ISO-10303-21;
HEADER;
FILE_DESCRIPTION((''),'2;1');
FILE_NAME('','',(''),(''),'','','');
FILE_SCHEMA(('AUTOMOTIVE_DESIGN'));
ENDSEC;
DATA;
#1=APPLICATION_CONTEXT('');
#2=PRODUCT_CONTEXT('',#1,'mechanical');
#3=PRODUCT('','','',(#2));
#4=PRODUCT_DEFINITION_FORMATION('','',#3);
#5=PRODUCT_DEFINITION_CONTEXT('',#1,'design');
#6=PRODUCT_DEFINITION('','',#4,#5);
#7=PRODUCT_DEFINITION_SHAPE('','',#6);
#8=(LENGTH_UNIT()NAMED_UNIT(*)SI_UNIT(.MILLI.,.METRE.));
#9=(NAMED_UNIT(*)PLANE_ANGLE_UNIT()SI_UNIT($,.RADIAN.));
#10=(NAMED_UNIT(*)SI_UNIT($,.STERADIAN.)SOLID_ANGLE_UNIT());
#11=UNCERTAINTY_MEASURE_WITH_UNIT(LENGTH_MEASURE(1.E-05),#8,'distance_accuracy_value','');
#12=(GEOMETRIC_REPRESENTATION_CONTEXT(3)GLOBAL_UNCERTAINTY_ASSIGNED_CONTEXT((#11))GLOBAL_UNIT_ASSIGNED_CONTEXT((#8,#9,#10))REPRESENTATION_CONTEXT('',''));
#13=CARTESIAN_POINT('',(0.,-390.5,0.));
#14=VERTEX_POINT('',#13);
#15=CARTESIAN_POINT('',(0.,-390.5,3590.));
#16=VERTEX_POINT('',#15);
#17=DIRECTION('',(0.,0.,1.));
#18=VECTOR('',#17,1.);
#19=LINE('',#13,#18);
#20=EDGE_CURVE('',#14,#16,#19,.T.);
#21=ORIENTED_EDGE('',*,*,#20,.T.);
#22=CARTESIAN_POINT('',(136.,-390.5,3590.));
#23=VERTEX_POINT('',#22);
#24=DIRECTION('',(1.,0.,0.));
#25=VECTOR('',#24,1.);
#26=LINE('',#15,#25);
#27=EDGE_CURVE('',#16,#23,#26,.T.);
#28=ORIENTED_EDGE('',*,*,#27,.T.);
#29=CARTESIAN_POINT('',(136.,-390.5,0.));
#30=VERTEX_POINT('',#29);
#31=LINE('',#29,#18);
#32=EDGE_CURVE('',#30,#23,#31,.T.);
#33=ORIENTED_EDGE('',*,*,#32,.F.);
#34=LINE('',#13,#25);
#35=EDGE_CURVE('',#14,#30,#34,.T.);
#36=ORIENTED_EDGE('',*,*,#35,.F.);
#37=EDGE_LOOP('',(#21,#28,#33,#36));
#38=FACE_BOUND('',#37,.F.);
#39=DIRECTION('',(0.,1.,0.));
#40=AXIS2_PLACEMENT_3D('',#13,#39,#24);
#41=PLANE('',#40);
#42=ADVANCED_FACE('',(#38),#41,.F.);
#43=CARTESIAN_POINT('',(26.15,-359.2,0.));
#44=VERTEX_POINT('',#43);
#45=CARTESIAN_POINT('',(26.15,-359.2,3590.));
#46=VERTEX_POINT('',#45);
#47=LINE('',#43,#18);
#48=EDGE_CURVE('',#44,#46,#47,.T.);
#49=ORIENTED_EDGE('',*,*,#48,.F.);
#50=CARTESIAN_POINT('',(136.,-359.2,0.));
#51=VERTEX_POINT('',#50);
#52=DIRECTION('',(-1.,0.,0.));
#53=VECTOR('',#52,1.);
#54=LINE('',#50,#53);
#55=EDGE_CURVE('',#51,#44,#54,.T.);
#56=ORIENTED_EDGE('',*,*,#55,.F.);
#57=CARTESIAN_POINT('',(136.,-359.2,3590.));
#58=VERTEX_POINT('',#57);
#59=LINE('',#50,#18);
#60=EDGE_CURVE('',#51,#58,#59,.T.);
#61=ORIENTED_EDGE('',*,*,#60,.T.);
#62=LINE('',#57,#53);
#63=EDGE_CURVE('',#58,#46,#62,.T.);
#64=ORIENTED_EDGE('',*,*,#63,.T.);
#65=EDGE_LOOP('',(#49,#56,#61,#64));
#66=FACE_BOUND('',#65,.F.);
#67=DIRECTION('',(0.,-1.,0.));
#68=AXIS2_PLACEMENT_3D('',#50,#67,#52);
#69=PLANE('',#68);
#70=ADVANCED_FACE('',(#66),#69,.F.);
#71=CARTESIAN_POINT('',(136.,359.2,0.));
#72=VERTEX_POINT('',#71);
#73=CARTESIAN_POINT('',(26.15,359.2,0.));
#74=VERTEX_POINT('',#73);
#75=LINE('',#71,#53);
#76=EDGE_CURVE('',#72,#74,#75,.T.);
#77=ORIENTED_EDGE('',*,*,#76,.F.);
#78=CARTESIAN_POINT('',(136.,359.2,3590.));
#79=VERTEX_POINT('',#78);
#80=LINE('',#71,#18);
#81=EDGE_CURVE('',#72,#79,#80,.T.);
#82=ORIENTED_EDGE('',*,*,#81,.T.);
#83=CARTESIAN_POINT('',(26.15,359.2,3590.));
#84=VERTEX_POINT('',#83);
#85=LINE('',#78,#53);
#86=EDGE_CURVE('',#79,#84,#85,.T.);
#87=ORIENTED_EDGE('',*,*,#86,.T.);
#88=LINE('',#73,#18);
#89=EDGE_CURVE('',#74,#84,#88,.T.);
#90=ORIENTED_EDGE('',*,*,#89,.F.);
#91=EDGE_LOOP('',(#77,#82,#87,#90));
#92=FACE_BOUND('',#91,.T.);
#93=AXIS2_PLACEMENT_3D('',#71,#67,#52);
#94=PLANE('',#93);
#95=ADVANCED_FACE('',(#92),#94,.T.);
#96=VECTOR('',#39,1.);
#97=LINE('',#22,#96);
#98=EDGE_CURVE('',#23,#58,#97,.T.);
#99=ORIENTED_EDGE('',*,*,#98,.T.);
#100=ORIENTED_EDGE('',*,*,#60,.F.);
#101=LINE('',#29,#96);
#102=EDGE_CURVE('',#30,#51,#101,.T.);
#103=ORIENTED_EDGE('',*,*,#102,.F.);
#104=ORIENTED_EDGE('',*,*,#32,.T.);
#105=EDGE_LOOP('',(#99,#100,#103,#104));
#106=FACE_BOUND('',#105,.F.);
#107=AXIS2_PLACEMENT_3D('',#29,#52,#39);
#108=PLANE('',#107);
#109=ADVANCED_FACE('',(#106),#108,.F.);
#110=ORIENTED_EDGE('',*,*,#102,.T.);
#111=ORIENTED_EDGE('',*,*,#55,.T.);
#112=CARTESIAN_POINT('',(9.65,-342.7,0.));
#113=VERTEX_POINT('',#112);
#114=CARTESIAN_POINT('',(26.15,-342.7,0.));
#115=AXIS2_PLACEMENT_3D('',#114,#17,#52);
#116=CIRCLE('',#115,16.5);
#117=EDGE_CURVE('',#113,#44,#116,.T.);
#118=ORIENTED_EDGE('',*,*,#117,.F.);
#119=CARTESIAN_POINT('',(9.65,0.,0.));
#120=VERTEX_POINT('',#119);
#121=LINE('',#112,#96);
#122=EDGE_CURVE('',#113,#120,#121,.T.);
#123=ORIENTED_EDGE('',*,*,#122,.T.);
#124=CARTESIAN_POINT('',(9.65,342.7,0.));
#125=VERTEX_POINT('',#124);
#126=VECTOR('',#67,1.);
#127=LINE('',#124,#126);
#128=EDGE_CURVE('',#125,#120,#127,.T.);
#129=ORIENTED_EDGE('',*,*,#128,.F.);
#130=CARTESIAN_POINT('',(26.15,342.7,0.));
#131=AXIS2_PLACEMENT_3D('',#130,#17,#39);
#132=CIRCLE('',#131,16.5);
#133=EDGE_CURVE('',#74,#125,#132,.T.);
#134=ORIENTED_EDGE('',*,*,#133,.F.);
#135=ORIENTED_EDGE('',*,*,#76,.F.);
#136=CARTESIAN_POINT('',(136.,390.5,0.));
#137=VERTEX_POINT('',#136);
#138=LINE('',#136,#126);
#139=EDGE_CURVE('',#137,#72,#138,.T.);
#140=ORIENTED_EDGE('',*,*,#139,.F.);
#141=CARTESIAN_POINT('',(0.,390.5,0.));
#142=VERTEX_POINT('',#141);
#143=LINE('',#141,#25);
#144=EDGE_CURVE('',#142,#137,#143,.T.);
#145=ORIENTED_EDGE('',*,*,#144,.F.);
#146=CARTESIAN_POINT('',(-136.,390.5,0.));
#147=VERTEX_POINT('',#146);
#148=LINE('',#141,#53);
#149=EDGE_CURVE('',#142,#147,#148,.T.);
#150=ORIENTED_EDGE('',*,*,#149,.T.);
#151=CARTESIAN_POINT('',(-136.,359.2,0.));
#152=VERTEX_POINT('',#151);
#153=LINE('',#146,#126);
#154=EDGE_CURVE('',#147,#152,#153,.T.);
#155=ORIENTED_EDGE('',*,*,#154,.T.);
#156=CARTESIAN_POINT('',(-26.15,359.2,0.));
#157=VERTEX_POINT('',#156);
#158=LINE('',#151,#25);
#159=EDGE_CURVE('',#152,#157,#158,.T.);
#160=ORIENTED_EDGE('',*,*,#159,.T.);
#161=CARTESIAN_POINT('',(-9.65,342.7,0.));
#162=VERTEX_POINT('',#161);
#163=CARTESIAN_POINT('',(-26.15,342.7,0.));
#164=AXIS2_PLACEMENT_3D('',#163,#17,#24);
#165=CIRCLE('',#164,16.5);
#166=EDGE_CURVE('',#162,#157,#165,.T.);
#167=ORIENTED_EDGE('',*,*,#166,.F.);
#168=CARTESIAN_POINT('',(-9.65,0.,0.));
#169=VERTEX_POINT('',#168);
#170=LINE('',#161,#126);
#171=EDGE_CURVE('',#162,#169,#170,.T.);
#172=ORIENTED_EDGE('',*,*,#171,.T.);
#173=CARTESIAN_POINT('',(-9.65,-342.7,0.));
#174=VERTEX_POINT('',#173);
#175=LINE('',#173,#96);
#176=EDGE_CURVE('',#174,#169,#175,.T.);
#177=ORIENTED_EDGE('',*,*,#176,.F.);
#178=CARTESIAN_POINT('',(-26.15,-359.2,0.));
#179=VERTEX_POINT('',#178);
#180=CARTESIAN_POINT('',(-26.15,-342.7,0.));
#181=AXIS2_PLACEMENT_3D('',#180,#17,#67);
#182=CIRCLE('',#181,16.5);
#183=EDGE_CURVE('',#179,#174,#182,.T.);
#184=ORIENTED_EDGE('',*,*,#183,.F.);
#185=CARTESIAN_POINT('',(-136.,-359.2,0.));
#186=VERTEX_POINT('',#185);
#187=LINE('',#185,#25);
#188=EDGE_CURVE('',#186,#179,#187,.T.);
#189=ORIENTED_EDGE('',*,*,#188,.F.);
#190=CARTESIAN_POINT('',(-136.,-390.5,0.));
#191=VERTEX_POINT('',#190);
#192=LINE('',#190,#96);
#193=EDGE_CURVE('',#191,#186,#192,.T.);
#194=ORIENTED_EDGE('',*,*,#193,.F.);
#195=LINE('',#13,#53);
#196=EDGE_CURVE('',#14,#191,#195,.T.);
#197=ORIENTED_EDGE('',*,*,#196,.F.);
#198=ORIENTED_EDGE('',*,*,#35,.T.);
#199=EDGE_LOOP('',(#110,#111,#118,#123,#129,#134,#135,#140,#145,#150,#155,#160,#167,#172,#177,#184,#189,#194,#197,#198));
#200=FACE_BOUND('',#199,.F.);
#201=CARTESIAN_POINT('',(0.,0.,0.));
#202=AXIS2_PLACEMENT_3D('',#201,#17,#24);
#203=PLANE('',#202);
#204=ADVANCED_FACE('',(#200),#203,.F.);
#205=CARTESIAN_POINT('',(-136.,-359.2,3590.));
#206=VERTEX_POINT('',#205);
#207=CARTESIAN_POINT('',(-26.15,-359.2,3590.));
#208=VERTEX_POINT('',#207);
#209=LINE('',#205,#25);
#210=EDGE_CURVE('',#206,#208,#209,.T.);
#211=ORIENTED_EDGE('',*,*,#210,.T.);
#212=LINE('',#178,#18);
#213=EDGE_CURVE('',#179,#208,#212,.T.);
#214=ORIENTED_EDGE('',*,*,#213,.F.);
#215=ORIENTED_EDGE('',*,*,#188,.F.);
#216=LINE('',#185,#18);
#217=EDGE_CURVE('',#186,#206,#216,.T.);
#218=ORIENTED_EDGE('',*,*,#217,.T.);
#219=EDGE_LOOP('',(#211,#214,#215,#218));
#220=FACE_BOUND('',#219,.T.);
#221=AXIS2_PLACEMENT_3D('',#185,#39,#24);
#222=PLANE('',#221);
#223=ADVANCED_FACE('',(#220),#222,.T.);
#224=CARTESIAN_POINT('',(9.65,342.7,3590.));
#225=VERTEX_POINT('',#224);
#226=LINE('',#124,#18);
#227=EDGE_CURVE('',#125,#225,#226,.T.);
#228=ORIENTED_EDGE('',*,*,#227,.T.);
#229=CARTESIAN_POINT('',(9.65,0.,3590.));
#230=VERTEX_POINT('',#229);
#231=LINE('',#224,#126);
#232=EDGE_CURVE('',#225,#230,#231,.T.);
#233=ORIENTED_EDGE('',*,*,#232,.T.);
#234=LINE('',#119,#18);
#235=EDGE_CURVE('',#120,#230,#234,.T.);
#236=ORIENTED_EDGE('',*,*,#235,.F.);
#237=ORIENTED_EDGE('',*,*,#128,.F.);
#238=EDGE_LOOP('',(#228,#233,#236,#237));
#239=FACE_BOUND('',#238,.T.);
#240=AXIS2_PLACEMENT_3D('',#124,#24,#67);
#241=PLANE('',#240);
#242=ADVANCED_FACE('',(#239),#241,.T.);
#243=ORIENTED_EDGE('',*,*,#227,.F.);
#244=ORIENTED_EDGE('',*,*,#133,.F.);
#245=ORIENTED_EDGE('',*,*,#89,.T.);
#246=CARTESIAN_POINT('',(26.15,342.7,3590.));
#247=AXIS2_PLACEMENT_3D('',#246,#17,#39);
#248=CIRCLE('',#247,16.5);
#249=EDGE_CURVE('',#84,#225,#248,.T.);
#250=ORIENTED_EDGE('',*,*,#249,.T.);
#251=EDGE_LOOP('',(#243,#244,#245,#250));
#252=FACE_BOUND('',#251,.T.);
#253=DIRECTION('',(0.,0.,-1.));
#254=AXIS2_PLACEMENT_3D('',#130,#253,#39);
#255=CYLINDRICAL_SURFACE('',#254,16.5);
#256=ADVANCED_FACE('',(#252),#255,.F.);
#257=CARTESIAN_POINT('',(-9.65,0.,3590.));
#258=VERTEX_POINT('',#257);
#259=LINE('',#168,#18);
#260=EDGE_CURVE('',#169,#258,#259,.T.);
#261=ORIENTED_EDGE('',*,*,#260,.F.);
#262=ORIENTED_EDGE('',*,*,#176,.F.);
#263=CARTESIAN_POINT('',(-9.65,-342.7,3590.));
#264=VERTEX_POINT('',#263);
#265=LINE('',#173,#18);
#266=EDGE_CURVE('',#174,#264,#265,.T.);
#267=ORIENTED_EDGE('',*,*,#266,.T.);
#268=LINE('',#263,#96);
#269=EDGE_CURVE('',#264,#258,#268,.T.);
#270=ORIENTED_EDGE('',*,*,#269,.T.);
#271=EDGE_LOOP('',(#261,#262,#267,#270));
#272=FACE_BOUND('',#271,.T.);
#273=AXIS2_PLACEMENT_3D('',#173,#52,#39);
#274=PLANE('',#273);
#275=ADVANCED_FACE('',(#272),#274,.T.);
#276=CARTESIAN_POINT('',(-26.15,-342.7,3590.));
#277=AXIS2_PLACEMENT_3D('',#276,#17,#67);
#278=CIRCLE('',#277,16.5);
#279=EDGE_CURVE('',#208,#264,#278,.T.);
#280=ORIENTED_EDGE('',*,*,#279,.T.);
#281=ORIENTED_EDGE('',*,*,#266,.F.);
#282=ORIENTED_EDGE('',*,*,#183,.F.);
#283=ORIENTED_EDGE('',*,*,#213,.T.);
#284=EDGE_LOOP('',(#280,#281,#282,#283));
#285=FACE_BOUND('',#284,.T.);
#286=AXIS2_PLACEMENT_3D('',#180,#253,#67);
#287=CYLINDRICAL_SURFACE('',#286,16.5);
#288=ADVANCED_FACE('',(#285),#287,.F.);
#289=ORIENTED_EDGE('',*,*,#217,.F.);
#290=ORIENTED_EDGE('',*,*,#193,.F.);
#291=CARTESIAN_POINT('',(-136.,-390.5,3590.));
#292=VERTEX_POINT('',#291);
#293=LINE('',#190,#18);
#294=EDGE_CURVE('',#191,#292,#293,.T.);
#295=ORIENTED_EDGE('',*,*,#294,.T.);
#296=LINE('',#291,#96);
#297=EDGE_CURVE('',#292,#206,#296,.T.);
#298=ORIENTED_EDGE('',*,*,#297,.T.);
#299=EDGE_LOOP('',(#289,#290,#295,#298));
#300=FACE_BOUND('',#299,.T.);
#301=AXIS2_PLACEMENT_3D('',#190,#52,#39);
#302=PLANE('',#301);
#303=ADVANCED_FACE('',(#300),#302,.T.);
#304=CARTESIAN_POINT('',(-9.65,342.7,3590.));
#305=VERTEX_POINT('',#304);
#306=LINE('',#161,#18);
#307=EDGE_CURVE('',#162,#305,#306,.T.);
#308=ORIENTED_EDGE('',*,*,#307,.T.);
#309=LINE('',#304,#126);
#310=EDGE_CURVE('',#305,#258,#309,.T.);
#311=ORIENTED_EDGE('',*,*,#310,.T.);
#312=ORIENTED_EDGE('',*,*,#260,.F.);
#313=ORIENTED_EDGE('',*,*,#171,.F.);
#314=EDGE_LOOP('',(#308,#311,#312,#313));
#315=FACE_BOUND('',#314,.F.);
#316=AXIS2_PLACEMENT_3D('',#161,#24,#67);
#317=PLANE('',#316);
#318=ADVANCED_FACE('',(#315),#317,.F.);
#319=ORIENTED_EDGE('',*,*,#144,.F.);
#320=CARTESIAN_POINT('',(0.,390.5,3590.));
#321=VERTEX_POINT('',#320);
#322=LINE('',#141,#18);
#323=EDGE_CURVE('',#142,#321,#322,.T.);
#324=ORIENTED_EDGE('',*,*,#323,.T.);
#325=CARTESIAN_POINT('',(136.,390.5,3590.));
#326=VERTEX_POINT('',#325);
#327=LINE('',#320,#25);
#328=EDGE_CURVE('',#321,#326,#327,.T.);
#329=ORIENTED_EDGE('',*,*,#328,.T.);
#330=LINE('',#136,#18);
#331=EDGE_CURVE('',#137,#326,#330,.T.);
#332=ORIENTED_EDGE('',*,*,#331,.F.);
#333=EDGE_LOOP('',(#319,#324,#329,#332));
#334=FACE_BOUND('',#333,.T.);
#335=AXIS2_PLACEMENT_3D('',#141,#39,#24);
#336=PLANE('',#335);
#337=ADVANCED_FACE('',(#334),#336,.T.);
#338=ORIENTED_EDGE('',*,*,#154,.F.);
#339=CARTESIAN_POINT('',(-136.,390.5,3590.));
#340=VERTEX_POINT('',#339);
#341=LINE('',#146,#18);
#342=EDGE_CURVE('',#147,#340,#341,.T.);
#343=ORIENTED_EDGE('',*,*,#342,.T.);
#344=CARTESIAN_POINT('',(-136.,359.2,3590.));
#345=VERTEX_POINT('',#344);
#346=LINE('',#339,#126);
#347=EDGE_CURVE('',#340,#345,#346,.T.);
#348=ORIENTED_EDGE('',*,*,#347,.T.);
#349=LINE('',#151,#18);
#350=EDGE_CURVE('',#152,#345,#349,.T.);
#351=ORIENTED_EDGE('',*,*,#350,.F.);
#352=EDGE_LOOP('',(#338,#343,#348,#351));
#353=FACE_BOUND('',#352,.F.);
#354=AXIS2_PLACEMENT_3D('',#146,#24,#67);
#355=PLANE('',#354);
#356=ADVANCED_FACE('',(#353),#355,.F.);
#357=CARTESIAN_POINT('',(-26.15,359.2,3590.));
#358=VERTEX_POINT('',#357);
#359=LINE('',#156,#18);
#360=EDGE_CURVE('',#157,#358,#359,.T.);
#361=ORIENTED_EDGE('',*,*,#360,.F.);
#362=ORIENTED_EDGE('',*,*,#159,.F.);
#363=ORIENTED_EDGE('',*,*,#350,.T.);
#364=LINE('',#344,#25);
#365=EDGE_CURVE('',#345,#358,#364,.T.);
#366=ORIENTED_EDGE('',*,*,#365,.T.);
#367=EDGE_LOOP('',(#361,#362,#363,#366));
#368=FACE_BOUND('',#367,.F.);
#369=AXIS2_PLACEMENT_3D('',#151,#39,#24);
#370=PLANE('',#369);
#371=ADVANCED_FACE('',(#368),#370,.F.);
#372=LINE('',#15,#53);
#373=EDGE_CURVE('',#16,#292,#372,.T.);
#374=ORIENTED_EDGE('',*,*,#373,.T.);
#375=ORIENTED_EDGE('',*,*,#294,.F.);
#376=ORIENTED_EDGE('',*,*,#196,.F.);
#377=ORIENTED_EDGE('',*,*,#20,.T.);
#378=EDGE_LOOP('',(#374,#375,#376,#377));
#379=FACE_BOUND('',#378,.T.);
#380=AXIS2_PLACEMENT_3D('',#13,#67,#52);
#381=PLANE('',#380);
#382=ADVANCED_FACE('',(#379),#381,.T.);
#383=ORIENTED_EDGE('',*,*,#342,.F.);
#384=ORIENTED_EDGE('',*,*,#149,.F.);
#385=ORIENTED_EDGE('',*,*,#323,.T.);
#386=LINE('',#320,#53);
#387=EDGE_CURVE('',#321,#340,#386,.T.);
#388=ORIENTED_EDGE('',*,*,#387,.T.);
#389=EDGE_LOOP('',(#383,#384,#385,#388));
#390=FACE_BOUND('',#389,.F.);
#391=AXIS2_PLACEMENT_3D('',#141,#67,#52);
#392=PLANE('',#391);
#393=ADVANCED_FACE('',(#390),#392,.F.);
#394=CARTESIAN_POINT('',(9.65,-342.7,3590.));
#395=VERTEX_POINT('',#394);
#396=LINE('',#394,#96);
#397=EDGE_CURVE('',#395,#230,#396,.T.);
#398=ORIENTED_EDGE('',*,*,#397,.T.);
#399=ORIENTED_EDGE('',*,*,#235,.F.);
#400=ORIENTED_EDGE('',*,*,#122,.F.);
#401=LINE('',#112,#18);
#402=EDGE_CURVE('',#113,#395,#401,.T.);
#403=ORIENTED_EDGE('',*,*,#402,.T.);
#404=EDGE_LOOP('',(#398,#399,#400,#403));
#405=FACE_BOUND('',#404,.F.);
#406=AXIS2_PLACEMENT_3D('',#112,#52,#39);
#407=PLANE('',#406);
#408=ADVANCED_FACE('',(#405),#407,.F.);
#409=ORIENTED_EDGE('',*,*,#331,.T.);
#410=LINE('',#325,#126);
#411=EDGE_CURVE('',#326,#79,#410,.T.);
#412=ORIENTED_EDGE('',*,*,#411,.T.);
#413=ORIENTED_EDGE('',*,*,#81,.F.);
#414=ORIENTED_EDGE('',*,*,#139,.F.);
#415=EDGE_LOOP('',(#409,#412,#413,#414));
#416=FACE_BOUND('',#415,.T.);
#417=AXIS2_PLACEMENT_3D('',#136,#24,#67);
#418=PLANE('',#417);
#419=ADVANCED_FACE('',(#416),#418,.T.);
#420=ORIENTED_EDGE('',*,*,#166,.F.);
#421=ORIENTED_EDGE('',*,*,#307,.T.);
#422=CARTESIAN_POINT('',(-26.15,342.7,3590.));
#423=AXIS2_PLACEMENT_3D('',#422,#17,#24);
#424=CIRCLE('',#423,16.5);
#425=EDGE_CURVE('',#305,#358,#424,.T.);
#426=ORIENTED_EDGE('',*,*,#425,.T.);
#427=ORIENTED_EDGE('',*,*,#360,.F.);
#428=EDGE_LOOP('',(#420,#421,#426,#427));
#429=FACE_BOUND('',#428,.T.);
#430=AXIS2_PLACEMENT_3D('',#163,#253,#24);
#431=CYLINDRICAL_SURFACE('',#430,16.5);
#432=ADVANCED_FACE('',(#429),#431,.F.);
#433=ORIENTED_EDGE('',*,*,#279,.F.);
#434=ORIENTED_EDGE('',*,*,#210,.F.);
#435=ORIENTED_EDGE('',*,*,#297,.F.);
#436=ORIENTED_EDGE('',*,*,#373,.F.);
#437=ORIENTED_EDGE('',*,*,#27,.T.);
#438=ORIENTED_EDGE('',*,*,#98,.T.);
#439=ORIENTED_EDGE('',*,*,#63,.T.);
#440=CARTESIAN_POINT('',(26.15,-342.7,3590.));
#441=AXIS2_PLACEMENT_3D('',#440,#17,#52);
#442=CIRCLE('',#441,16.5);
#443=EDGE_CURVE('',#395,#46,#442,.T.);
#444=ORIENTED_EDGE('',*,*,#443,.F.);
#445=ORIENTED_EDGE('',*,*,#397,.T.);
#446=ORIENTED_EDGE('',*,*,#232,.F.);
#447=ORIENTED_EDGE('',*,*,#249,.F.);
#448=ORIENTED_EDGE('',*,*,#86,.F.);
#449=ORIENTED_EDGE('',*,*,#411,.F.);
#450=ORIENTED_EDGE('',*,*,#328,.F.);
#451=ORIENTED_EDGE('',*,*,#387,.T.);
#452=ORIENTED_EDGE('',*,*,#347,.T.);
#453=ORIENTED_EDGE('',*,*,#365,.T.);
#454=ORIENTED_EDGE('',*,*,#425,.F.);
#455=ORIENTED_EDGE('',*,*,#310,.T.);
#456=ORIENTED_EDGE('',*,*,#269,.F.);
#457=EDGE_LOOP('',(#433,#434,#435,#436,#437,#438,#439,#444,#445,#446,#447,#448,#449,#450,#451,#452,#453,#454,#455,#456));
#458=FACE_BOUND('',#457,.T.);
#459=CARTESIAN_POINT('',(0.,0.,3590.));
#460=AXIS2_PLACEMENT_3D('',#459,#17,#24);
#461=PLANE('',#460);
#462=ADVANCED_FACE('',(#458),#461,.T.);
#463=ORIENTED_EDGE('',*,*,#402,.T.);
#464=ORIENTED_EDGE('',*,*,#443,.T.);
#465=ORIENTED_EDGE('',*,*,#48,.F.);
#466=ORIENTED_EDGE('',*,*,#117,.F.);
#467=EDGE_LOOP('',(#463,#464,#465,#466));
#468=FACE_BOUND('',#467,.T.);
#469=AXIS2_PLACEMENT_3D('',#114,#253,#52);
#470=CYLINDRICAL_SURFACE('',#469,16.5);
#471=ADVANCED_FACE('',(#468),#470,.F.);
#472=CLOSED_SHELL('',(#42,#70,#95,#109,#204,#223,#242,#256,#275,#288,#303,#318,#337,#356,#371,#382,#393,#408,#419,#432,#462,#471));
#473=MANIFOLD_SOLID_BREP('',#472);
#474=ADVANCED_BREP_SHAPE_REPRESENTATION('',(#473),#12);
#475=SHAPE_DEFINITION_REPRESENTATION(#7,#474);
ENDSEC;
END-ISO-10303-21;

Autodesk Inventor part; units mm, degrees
ref_plane "YZ Plane" through (0, 0, 0) normal (1, 0, 0) x (0, 1, 0)
ref_plane "Start plane" through (0, 0, 0) normal (0, 0, 1) x (1, 0, 0)
ref_plane "End plane" through (0, 0, 3590) normal (0, 0, 1) x (1, 0, 0)
sketch "Sketch" plane through (0, 0, 0) normal (0, 0, 1) x (1, 0, 0)
  line L0 (-136, -390.5) -> (-136, -359.2)
  line L1 (-136, -359.2) -> (-26.15, -359.2)
  line L2 (-9.65, -342.7) -> (-9.65, 0)
  line L3 (-9.65, 0) -> (0, 0) construction
  line L4 (0, 0) -> (0, -390.5) construction
  line L5 (0, -390.5) -> (-136, -390.5)
  line L6 (-60, 0) -> (80, 0) construction
  line L7 (0, -60) -> (0, 80) construction
  line L8 (136, -390.5) -> (136, -359.2)
  line L9 (136, -359.2) -> (26.15, -359.2)
  line L10 (9.65, -342.7) -> (9.65, 0)
  line L11 (9.65, 0) -> (0, 0) construction
  line L12 (0, -390.5) -> (136, -390.5)
  line L13 (-136, 390.5) -> (-136, 359.2)
  line L14 (-136, 359.2) -> (-26.15, 359.2)
  line L15 (-9.65, 342.7) -> (-9.65, 0)
  line L16 (0, 390.5) -> (-136, 390.5)
  line L17 (136, 390.5) -> (136, 359.2)
  line L18 (136, 359.2) -> (26.15, 359.2)
  line L19 (0, 390.5) -> (136, 390.5)
  line L20 (9.65, 342.7) -> (9.65, 0)
  arc A0 (-9.65, 342.7) -> (-26.15, 359.2) centre (-26.15, 342.7) ccw
  arc A1 (26.15, 359.2) -> (9.65, 342.7) centre (26.15, 342.7) ccw
  arc A2 (9.65, -342.7) -> (26.15, -359.2) centre (26.15, -342.7) ccw
  arc A3 (-26.15, -359.2) -> (-9.65, -342.7) centre (-26.15, -342.7) ccw
  line L21 (0, 108) -> (0, -88) construction
  line L22 (-88, 0) -> (108, 0) construction
  point P0 (-9.65, -359.2)
  point P1 (9.65, -359.2)
  point P2 (-9.65, 359.2)
  point P3 (9.65, 359.2)
  dimension "d1" = 390.5
  dimension "d2" = 31.3
  dimension "d3" = 136
  dimension "d4" = 9.65
  dimension "d10" = 16.5
extrude "Body" add sketch "Sketch" along normal up to surface (3590 mm away) from surface at 0
sketch "Sketch4" plane through (0, 0, 0) normal (0, 0, 1) x (1, 0, 0)
  line L0 (0, 0) -> (10, 0)
ref_plane "Work Plane3" through (0, 0, 0) normal (0, -1, 0) x (1, 0, 0)
sketch "Sketch5" plane through (0, 0, 0) normal (0, -1, 0) x (1, 0, 0)
  line L0 (-2, 0) -> (12, 0) projected
  line L1 (-2, 3590) -> (12, 3590) projected
  dimension "d14" = 3590
equation "\"d1\" = 0.5 * G_H"
equation "\"d2\" = G_T1"
equation "\"d3\" = 0.5 * G_W"
equation "\"d4\" = 0.5 * G_T"
equation "\"d10\" = G_IR"
equation "\"d5\" = G_L"
equation "\"G_W\" = 272"
equation "\"G_H\" = 781"
equation "\"G_T\" = 19.3"
equation "\"G_T1\" = 31.3"
equation "\"G_IR\" = 16.5"
equation "\"G_L\" = d14"
equation "\"G_OFFSET_START\" = 0"
equation "\"G_OFFSET_END\" = 0"
properties part number "AS 3679-1990 - 760 UB - 244 - 3590" material "Steel, Mild"
